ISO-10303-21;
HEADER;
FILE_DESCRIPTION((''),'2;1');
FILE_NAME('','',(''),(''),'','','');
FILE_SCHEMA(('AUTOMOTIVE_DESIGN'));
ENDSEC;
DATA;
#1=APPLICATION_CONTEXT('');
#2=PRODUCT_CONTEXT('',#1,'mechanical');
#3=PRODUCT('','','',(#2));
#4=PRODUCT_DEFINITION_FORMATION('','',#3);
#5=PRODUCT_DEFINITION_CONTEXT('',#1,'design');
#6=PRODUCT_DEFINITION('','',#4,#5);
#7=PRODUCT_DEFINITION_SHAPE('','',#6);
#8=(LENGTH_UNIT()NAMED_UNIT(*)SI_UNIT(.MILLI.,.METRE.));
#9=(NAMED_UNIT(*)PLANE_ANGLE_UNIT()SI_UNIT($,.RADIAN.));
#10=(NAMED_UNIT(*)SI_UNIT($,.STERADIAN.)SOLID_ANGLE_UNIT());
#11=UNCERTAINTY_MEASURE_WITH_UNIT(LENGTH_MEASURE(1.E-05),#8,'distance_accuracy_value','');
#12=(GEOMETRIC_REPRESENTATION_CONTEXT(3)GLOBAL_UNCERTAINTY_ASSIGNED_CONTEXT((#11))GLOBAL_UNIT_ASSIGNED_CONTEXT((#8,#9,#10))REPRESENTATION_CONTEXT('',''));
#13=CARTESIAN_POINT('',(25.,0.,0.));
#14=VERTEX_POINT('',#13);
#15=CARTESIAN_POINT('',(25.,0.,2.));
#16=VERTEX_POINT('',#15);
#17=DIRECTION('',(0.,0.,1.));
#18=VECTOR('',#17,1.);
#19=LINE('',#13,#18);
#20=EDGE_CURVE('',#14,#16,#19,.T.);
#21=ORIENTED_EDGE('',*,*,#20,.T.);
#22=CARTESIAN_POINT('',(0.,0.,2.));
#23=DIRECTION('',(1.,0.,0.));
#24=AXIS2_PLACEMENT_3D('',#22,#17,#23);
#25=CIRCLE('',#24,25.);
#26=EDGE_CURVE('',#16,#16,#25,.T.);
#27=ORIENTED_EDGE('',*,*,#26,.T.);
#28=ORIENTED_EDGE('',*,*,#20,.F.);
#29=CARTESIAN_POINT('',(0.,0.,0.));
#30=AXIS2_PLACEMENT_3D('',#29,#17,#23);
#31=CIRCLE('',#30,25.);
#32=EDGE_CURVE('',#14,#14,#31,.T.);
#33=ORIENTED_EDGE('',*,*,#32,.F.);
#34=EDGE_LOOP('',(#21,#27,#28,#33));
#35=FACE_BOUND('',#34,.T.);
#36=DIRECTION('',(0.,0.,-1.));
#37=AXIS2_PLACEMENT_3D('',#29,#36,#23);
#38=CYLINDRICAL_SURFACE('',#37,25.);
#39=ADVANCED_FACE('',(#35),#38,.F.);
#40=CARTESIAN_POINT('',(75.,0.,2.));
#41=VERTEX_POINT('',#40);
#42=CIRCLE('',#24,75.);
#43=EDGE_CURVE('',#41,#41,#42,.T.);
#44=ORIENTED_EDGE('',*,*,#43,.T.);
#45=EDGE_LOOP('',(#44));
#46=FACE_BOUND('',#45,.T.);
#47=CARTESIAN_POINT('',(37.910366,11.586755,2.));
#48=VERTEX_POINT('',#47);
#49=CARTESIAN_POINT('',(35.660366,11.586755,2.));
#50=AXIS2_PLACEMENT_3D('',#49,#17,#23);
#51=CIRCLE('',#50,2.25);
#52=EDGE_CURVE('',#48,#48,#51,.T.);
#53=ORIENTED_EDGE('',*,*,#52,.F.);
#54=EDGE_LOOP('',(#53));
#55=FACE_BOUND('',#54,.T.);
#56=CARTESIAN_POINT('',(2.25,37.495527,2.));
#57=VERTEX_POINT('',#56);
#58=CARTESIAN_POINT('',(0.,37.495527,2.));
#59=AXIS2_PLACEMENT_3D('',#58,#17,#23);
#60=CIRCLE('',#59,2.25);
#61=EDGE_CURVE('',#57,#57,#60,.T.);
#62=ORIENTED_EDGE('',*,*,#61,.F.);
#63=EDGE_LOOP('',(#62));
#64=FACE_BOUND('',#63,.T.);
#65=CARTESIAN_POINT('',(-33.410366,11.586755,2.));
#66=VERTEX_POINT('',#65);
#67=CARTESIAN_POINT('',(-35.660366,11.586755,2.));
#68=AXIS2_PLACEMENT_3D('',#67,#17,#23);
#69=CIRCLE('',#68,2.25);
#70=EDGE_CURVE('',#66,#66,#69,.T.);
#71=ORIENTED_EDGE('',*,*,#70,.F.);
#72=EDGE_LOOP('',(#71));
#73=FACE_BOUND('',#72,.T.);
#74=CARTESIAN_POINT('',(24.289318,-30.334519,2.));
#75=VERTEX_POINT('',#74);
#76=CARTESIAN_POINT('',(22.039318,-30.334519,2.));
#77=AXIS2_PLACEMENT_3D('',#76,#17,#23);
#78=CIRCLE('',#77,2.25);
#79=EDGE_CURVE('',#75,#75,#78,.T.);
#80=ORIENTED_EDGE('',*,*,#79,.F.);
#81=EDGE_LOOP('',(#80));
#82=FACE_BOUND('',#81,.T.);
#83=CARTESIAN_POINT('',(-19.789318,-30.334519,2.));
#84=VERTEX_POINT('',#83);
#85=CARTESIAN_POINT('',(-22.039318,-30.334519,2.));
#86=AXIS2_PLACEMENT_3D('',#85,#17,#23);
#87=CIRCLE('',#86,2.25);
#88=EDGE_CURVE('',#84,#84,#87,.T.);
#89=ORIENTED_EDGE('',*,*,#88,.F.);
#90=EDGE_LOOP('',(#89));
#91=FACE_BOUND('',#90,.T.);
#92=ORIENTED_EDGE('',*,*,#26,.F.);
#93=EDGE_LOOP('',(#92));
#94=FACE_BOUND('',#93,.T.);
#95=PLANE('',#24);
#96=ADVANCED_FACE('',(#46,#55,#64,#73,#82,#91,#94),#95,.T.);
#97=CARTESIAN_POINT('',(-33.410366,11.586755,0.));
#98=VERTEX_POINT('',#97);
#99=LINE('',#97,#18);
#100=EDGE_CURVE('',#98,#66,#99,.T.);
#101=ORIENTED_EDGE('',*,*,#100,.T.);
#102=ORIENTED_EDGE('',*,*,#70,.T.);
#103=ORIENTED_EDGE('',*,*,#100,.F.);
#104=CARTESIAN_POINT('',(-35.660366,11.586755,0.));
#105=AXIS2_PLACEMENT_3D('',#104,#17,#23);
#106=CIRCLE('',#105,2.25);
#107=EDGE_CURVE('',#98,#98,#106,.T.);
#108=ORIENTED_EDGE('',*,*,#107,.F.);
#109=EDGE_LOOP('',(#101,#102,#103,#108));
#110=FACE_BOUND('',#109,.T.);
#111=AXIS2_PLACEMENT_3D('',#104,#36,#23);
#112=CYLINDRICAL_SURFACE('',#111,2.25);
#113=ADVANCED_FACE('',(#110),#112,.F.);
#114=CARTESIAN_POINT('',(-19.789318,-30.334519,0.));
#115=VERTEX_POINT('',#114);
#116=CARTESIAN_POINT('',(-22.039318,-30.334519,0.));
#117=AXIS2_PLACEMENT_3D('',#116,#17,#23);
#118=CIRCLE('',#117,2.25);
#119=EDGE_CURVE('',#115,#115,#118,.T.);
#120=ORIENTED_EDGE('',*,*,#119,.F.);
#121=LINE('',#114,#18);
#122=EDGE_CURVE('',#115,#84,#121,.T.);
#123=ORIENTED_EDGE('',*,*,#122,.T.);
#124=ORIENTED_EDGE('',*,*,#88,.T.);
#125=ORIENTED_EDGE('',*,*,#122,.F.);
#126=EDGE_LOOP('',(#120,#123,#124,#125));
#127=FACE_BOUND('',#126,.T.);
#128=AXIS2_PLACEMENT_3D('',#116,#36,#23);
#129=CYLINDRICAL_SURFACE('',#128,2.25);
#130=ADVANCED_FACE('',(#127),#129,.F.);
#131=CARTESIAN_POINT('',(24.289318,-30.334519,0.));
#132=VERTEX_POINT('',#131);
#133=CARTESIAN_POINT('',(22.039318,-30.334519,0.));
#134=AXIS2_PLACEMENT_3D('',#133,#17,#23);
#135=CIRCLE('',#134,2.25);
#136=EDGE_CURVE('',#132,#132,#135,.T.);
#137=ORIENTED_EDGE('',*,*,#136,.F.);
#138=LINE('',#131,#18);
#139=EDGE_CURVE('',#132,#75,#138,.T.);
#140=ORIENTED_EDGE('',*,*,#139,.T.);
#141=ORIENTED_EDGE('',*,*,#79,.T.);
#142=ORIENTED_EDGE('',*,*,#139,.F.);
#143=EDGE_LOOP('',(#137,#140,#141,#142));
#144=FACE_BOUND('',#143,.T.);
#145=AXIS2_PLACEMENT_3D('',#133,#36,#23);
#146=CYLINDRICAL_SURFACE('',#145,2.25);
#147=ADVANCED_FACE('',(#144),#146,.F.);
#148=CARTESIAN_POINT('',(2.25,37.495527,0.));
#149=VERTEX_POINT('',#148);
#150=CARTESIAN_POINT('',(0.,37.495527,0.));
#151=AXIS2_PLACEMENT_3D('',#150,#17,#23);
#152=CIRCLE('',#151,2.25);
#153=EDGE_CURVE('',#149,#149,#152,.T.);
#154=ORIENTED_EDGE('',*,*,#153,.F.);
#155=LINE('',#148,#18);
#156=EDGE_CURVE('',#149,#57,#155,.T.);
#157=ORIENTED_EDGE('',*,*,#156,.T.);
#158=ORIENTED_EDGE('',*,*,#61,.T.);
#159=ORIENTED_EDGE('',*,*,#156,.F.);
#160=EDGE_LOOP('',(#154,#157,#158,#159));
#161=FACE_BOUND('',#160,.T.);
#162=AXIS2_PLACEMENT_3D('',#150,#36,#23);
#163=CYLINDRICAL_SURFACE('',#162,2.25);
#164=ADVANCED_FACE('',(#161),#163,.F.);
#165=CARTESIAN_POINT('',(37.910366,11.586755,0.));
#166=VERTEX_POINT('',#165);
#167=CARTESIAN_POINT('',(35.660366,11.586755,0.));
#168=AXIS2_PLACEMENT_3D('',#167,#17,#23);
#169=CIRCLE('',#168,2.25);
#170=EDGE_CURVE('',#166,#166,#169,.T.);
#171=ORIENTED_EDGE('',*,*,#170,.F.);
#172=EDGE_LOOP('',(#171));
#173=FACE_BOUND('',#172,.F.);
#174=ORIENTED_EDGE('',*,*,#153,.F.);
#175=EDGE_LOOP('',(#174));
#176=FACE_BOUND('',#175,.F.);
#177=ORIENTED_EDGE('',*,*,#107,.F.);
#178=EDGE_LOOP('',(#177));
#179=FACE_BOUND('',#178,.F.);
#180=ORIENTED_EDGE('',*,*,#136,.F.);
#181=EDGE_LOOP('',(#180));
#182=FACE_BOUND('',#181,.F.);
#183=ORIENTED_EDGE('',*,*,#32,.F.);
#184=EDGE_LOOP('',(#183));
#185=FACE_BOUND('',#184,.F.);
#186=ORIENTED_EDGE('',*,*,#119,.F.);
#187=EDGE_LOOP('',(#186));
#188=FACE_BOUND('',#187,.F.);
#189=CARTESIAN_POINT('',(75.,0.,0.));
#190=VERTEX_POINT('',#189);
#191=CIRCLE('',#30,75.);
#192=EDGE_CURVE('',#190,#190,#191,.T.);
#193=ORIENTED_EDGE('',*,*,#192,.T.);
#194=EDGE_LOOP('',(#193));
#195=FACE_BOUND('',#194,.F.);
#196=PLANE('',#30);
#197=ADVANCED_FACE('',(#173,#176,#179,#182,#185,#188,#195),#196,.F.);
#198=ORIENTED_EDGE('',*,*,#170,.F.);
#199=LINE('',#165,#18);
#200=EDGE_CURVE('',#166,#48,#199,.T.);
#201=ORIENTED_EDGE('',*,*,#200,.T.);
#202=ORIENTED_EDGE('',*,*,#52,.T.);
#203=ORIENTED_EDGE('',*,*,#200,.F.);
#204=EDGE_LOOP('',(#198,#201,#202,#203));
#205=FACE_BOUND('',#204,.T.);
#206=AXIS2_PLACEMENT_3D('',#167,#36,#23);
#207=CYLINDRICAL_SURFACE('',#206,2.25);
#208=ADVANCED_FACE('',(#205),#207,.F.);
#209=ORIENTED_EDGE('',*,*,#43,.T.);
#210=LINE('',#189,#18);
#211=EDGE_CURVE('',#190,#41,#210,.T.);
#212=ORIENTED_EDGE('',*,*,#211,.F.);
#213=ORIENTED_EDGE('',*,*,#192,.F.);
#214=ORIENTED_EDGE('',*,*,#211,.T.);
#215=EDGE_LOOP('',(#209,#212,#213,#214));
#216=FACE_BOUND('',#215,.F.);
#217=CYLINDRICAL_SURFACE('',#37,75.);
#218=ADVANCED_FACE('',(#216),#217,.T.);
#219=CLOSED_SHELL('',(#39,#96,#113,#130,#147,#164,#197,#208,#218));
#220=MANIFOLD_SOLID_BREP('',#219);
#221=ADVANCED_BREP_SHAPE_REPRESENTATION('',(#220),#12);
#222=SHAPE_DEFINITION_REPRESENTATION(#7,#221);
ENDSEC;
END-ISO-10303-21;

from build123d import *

# Parameters (mm, degrees)
F0_R     = 75
F0_R_2   = 2.25
F0_R_3   = 25
F1_DEPTH = 2


with BuildPart() as f1:
    # F0 (on Top) → F1 (new body)
    with BuildSketch(Plane.XY):
        Circle(F0_R)
        with Locations((-22.039318, -30.334519)):
            Circle(F0_R_2, mode=Mode.SUBTRACT)
        with Locations((22.039318, -30.334519)):
            Circle(F0_R_2, mode=Mode.SUBTRACT)
        with Locations((-35.660366, 11.586755)):
            Circle(F0_R_2, mode=Mode.SUBTRACT)
        Circle(F0_R_3, mode=Mode.SUBTRACT)
        with Locations((35.660366, 11.586755)):
            Circle(F0_R_2, mode=Mode.SUBTRACT)
        with Locations((0, 37.495527)):
            Circle(F0_R_2, mode=Mode.SUBTRACT)
    extrude(amount=F1_DEPTH)


solid = f1.part
